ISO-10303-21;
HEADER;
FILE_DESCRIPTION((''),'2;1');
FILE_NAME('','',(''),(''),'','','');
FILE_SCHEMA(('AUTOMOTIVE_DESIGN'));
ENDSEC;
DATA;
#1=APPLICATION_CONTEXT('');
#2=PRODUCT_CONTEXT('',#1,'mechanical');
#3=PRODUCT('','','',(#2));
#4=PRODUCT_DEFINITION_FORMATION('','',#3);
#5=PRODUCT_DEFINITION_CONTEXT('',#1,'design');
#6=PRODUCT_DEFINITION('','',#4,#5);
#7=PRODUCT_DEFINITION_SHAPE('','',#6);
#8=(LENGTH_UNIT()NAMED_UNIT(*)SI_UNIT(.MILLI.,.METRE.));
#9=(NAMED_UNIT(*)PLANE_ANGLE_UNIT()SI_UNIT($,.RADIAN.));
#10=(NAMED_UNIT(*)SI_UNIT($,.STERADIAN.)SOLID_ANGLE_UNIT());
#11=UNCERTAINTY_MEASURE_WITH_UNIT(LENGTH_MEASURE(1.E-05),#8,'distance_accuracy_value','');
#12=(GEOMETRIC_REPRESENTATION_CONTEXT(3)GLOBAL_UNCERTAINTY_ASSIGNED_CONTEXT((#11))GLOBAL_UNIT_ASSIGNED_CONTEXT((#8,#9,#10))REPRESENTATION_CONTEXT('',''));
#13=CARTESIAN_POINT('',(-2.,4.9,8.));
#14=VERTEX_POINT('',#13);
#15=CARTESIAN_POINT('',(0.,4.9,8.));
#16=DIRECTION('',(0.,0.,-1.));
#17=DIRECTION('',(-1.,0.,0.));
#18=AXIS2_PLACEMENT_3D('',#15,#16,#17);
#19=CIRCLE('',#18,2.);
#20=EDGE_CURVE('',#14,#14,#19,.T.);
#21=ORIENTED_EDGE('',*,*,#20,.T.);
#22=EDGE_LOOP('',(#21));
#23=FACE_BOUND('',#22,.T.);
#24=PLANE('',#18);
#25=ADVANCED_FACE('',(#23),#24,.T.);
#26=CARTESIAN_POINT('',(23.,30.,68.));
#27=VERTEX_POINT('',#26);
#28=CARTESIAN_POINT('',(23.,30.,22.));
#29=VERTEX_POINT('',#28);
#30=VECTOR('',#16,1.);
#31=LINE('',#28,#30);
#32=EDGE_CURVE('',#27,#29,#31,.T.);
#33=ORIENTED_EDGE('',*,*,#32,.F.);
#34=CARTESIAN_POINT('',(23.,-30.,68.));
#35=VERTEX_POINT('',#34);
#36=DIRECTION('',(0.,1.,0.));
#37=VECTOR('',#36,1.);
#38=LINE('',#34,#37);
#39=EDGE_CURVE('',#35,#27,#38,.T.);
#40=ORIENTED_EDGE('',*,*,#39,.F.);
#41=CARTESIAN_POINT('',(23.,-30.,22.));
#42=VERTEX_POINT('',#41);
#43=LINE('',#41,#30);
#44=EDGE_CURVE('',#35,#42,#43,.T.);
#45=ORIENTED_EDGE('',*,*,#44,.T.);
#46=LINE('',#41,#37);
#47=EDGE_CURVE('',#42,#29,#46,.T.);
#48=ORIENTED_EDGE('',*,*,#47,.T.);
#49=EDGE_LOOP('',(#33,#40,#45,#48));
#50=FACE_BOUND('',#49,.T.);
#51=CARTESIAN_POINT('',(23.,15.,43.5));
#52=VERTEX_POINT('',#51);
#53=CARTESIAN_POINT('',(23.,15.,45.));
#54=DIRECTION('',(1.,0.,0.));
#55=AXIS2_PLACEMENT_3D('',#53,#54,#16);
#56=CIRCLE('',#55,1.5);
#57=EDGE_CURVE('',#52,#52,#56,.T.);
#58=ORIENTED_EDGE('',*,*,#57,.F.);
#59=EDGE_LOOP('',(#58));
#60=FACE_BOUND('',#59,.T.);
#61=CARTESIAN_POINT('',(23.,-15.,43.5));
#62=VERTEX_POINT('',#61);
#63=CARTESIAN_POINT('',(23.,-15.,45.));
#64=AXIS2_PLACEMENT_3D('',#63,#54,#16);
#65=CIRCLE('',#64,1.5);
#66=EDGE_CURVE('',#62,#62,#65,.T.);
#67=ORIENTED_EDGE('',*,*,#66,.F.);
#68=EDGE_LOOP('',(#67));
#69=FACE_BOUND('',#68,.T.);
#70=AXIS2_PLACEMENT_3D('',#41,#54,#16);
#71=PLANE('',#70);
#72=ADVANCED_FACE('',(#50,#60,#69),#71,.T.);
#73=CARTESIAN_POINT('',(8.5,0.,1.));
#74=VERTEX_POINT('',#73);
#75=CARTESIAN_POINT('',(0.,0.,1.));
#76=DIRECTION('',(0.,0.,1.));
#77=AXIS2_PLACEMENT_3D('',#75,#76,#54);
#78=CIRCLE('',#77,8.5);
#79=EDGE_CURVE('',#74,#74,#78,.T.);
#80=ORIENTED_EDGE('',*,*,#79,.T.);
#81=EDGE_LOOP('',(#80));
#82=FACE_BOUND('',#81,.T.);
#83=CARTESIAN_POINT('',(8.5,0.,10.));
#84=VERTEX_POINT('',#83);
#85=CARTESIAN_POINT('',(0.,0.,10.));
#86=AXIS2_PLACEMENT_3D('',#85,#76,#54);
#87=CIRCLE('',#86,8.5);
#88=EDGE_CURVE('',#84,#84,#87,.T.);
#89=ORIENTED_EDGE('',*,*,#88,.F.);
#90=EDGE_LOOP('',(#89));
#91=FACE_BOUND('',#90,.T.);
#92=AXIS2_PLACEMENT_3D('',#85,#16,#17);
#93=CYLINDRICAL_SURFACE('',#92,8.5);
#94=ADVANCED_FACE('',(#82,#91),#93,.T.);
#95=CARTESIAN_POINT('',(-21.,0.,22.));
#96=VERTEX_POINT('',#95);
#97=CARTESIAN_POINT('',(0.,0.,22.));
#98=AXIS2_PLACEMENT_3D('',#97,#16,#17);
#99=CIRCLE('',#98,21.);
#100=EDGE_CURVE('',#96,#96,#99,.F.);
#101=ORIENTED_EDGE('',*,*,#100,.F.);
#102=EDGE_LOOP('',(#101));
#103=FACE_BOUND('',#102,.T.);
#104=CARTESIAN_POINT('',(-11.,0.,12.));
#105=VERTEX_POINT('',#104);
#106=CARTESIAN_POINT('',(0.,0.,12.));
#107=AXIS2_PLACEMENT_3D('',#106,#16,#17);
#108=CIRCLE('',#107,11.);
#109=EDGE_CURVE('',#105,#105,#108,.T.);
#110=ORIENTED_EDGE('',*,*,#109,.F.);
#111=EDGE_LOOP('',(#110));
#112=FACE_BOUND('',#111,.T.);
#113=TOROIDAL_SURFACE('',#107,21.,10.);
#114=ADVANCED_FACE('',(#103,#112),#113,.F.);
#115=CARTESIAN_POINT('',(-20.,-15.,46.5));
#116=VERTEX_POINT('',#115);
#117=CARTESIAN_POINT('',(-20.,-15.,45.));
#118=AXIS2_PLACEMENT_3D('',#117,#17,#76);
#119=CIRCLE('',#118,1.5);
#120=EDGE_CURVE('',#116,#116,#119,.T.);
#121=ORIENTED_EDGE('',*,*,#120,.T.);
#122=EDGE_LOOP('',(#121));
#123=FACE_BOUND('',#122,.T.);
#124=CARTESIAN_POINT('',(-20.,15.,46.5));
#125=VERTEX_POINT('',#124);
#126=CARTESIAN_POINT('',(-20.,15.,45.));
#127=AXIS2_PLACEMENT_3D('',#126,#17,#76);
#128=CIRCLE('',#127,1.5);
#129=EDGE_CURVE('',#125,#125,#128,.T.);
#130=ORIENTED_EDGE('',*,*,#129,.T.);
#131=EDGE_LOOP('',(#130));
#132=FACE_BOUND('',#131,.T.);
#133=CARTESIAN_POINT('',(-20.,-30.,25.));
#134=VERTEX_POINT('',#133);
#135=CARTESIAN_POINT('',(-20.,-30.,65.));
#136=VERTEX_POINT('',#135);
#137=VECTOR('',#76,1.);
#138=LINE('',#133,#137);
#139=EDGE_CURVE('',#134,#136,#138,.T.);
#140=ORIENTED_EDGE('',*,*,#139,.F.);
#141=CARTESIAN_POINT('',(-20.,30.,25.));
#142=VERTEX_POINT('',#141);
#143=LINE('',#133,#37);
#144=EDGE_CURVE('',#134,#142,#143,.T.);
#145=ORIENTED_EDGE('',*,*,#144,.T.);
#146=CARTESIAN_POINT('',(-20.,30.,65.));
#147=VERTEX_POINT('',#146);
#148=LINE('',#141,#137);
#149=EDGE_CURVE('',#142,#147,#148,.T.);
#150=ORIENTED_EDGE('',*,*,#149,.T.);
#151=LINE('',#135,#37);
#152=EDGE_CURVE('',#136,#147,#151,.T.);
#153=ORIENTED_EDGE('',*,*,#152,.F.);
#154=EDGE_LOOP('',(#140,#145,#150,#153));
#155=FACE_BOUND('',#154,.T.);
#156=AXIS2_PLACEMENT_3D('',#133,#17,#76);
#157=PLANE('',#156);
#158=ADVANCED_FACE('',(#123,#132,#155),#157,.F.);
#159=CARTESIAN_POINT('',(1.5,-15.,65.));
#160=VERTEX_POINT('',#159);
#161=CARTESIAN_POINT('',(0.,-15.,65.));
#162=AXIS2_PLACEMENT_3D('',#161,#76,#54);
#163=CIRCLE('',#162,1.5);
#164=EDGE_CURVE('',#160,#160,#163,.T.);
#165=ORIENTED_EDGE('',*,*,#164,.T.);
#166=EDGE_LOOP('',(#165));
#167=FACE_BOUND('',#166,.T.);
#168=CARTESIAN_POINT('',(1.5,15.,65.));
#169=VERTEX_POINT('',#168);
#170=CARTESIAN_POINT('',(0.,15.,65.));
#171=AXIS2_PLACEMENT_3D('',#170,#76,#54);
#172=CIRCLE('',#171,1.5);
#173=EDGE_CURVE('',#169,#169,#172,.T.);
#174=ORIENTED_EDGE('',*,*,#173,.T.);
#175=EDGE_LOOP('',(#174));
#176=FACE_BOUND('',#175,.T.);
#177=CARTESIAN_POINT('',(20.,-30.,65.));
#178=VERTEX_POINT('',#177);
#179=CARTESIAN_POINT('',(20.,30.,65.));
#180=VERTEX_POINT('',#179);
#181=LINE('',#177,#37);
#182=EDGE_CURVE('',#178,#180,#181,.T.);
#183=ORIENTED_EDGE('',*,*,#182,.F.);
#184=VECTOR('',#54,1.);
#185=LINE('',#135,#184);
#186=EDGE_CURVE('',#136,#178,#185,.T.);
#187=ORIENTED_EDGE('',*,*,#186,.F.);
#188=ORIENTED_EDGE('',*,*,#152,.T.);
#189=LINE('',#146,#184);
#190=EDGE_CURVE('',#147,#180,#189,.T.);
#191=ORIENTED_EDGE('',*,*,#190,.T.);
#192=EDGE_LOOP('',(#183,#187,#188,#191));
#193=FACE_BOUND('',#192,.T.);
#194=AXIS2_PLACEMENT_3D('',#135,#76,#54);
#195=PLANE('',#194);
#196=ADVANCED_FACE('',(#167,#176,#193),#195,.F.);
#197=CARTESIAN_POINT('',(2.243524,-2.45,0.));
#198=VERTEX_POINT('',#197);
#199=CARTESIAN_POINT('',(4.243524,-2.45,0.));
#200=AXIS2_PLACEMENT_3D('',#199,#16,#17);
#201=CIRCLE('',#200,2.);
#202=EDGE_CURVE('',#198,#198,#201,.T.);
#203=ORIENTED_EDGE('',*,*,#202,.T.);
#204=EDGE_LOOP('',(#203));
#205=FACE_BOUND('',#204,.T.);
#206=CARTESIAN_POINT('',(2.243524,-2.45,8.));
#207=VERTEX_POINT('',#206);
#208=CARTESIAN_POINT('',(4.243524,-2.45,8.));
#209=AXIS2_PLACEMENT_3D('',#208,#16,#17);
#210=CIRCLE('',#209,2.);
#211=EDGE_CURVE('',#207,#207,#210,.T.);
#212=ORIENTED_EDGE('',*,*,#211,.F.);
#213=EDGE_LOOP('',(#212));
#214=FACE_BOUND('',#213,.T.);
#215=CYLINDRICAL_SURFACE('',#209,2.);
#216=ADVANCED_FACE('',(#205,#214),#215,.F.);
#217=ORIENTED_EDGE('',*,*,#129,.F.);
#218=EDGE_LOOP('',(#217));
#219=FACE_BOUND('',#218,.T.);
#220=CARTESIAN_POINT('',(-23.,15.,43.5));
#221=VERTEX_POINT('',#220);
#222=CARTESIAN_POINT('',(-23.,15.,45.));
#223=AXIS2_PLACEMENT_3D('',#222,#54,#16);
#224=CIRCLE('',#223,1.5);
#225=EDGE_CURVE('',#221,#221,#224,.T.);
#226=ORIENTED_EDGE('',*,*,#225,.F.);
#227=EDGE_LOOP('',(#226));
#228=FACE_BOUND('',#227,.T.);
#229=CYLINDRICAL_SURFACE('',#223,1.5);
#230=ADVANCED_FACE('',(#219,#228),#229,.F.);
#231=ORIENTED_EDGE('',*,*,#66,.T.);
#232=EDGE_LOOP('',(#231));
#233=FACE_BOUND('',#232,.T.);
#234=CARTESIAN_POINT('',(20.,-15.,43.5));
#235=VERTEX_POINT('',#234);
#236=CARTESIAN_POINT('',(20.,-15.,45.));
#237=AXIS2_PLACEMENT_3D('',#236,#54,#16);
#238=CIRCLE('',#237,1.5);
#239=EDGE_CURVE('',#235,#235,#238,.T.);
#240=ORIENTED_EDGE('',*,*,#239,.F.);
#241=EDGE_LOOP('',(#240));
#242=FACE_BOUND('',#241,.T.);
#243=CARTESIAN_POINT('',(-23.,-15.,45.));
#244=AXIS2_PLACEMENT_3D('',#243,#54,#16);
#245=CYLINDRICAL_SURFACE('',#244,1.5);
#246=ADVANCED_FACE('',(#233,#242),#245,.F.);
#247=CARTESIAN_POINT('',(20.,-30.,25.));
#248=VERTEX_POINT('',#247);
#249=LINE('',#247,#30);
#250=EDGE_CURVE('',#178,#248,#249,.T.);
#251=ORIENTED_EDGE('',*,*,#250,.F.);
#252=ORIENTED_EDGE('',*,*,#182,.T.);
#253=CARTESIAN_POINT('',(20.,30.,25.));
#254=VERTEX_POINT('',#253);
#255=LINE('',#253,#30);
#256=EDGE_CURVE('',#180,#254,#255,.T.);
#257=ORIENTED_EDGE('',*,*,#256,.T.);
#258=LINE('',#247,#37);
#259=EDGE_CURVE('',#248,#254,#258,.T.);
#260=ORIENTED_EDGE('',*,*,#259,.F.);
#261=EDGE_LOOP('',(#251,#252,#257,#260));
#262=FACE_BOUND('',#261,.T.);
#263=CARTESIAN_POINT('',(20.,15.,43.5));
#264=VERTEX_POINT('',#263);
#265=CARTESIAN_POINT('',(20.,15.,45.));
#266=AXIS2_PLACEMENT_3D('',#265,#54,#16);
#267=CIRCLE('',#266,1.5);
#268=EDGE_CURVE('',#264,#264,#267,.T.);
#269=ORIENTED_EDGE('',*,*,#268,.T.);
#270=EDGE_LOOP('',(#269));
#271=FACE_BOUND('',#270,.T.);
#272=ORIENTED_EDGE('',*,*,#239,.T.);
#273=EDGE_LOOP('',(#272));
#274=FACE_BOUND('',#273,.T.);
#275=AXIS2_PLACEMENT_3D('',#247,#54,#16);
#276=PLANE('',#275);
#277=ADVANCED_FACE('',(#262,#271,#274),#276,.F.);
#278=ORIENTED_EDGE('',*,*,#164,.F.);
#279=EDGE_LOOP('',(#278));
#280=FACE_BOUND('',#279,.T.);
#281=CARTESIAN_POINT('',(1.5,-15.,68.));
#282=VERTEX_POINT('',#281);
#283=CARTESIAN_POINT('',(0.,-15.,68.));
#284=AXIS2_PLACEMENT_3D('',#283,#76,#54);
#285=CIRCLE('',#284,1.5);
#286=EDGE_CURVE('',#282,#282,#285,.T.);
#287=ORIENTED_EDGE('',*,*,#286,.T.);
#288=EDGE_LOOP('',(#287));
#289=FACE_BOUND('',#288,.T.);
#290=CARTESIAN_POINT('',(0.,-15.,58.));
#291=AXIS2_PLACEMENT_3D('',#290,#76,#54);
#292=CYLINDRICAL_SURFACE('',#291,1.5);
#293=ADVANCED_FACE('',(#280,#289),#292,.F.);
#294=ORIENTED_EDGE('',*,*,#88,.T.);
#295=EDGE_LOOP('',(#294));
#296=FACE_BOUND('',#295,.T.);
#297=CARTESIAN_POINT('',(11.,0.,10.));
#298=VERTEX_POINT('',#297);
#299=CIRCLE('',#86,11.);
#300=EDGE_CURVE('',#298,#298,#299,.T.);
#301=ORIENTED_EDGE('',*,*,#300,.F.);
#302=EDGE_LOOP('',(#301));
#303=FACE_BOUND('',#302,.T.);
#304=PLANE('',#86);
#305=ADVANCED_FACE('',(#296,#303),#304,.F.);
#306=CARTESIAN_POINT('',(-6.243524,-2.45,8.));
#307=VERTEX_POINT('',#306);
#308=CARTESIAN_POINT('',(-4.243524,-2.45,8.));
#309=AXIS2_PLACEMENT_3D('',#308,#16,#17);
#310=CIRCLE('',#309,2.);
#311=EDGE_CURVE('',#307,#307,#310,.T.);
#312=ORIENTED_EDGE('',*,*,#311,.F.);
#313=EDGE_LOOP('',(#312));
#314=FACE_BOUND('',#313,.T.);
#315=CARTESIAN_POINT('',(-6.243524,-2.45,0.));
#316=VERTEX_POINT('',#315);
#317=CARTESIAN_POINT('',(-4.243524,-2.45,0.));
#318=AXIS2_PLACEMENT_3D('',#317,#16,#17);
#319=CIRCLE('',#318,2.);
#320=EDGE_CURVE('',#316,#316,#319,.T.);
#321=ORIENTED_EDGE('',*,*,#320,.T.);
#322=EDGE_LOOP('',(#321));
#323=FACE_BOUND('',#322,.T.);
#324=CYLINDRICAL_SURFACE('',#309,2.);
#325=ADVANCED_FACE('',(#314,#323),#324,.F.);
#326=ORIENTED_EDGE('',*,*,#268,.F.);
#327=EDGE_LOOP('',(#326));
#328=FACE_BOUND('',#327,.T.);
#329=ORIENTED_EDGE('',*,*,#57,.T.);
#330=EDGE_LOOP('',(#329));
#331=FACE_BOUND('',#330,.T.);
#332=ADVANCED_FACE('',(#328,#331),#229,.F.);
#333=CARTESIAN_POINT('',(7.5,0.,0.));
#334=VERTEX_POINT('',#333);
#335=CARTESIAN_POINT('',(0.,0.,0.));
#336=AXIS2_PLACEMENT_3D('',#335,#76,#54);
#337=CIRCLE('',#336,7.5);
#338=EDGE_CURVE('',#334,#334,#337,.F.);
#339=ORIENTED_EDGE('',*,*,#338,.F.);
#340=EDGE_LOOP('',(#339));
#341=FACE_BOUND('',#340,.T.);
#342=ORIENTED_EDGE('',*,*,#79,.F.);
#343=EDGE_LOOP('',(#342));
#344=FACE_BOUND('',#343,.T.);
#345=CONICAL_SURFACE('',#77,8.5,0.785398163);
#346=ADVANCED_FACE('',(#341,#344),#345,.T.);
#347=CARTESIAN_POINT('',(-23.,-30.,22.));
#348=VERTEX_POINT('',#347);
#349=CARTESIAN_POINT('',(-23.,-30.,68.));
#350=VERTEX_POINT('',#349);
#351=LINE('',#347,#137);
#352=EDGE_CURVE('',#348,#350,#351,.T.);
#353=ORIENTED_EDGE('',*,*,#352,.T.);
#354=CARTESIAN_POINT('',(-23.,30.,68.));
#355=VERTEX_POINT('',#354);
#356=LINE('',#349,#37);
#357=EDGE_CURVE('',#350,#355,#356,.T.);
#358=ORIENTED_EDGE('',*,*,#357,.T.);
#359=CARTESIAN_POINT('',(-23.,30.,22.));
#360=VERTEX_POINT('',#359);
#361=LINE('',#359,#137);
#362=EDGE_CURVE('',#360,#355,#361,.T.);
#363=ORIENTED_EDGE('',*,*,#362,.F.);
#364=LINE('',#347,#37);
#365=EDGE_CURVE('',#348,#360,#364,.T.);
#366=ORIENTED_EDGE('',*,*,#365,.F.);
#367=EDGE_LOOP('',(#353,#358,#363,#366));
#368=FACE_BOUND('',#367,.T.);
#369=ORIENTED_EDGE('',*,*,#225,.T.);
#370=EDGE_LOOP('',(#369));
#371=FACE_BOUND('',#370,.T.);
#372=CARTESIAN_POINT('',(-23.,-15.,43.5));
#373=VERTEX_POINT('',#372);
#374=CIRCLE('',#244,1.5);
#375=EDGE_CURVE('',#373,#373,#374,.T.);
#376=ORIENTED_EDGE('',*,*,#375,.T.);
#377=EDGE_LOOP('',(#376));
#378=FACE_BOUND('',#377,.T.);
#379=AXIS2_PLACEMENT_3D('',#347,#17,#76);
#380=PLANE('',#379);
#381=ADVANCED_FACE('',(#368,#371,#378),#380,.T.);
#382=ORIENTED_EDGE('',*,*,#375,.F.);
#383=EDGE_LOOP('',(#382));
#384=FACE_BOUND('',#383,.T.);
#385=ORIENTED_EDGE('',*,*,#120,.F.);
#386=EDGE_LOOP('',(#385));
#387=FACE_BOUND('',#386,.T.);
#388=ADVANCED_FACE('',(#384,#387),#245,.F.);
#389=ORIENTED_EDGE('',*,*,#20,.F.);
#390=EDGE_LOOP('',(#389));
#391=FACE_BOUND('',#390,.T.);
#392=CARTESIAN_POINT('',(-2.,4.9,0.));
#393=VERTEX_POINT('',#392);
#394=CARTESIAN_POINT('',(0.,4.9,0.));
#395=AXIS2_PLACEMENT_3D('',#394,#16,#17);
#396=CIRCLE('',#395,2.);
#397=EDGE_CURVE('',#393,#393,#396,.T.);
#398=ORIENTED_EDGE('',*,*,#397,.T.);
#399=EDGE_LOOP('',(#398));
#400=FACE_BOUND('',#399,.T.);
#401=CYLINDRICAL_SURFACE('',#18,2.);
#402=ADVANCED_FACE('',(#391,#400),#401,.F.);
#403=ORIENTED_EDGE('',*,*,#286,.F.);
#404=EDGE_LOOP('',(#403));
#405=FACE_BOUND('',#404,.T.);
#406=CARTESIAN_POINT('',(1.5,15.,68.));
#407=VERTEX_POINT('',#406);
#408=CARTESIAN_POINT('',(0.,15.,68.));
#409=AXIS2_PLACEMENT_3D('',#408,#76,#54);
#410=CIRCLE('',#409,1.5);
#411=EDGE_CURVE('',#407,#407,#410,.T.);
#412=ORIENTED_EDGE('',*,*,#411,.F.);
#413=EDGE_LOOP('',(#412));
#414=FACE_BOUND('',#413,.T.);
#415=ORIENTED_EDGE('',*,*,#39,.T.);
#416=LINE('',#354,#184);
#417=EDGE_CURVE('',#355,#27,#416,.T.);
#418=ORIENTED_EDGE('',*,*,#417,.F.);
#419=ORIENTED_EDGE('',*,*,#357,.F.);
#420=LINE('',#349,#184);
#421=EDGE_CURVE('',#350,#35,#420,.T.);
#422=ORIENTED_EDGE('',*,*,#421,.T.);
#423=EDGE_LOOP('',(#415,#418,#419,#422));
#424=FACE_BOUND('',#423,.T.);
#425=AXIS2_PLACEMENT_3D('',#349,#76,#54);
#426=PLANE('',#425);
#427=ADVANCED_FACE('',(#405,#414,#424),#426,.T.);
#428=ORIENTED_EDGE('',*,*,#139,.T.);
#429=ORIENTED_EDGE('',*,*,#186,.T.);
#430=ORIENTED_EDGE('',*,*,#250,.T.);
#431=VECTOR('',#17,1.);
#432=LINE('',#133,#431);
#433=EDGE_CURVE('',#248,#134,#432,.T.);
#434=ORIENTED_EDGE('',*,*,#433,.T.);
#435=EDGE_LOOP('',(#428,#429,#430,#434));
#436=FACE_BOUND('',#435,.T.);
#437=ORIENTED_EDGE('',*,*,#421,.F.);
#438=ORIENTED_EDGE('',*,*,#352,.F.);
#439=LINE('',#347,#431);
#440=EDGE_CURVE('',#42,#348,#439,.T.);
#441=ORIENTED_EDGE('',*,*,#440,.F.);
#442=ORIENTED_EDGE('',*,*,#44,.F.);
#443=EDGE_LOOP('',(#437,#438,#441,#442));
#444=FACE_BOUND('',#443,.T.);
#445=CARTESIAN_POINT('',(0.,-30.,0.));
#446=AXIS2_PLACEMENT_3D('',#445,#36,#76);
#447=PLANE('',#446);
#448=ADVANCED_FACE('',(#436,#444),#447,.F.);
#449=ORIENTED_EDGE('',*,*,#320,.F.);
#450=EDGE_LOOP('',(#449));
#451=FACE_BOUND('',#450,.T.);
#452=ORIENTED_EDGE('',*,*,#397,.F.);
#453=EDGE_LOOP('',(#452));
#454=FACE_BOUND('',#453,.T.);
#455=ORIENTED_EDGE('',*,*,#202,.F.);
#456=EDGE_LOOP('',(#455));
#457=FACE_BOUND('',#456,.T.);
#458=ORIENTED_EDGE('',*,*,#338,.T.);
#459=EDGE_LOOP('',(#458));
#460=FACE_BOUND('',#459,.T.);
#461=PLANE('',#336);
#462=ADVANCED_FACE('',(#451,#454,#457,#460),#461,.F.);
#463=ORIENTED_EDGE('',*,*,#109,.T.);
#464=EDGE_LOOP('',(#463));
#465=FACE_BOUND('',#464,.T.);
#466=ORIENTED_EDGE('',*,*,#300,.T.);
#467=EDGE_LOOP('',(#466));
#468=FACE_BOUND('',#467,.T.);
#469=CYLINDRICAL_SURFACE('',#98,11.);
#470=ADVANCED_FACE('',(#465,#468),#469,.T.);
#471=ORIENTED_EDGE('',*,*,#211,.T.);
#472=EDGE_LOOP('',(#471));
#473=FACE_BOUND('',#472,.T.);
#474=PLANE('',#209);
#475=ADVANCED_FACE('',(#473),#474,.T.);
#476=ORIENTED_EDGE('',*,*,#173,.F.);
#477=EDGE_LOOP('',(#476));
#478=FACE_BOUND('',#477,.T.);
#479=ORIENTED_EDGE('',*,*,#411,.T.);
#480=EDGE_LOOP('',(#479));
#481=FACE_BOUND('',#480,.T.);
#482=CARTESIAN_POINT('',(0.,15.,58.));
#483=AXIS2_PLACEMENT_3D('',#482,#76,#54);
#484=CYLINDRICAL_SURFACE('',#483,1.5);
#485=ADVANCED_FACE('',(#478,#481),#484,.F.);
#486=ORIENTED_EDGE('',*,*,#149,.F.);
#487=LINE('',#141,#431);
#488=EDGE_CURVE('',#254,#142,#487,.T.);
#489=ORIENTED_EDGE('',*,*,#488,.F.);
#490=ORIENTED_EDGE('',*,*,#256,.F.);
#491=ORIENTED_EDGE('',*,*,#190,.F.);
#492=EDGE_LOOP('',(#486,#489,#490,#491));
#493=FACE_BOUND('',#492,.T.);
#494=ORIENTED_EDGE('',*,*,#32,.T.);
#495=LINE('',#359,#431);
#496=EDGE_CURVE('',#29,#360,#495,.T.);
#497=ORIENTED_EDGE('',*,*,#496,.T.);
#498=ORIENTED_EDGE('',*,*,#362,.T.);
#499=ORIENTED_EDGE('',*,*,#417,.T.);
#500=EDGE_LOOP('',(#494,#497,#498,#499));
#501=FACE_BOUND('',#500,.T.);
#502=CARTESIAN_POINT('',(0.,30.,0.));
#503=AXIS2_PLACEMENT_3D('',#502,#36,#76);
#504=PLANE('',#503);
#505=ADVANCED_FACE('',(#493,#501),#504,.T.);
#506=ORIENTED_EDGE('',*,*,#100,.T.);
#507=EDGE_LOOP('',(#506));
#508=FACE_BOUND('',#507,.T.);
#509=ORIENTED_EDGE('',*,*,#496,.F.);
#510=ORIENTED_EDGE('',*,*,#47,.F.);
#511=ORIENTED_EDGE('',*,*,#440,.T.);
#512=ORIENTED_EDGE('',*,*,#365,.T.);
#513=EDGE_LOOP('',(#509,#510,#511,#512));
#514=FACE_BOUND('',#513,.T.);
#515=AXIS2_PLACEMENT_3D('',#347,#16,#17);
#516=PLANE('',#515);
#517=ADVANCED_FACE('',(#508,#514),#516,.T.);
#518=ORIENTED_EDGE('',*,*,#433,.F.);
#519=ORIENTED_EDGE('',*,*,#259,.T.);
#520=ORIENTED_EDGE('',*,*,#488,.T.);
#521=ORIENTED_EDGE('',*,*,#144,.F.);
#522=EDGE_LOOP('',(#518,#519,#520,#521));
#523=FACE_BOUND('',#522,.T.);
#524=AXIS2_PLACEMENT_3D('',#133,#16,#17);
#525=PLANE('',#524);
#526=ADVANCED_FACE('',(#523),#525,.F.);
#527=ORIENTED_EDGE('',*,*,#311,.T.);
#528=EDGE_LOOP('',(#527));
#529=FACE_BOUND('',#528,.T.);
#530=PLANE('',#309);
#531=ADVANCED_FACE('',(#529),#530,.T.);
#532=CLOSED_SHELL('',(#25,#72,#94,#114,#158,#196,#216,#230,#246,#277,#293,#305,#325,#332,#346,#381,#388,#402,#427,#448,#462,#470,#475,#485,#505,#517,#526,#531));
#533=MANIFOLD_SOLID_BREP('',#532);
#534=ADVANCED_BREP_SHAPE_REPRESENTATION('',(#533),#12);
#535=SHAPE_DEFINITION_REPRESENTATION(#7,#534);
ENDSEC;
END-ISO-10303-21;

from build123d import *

# Parameters (mm, degrees)
ESQUISSE1_R                  = 8.5
BOSS_EXTRU_1_DEPTH           = 10
ESQUISSE2_R                  = 11
BOSS_EXTRU_2_DEPTH           = 12
ESQUISSE3_R                  = 2
ENL_V_MAT_EXTRU_1_DEPTH      = 8
CHANFREIN1_SIZE              = 1
BOSS_EXTRU_3_DEPTH           = 30
BOSS_EXTRU_3_DEPTH_BACK      = 30
ESQUISSE4_W                  = 46
ESQUISSE4_H                  = 46
ESQUISSE4_W_2                = 40
ESQUISSE4_H_2                = 40
ENL_V_MAT_EXTRU_2_DEPTH      = 88.407093534
ENL_V_MAT_EXTRU_2_DEPTH_BACK = 88.407093534
ESQUISSE5_R                  = 1.5
ESQUISSE6_R                  = 1.5
ENL_V_MAT_EXTRU_3_DEPTH      = 10
CONG_1_R                     = 10


with BuildPart() as part:
    # Esquisse1 → Boss.-Extru.1 (new body)
    with BuildSketch(Plane.XY):
        Circle(ESQUISSE1_R)
    extrude(amount=BOSS_EXTRU_1_DEPTH)

    # Esquisse2 → Boss.-Extru.2 (add)
    with BuildSketch(Plane.XY.offset(10)):
        Circle(ESQUISSE2_R)
    extrude(amount=BOSS_EXTRU_2_DEPTH)

    # Esquisse3 → Enlèv. mat.-Extru.1 (cut)
    with BuildSketch(Plane(origin=(0, 0, 0), x_dir=(-1, 0, 0), z_dir=(0, 0, -1))):
        with Locations((0, 4.9)):
            Circle(ESQUISSE3_R)
        with Locations((4.243524479, -2.45)):
            Circle(ESQUISSE3_R)
        with Locations((-4.243524479, -2.45)):
            Circle(ESQUISSE3_R)
    extrude(amount=-ENL_V_MAT_EXTRU_1_DEPTH, mode=Mode.SUBTRACT)

    # Chanfrein1
    chanfrein1_edges = [part.edges().sort_by_distance(p)[0] for p in [
        (-8.5, 0, 0),
    ]]
    chamfer(chanfrein1_edges, length=CHANFREIN1_SIZE)

    # Esquisse4 → Boss.-Extru.3 (add, two sides: drawn at the far end of the back side and taken through both)
    with BuildSketch(Plane(origin=(0, 0, 0), x_dir=(1, 0, 0), z_dir=(0, 1, 0)).offset(-BOSS_EXTRU_3_DEPTH_BACK)):
        with Locations((0, -45)):
            Rectangle(ESQUISSE4_W, ESQUISSE4_H)
        with Locations((0, -45)):
            Rectangle(ESQUISSE4_W_2, ESQUISSE4_H_2, mode=Mode.SUBTRACT)
    extrude(amount=BOSS_EXTRU_3_DEPTH + BOSS_EXTRU_3_DEPTH_BACK)

    # Esquisse5 → Enlèv. mat.-Extru.2 (cut, two sides: drawn at the far end of the back side and taken through both)
    with BuildSketch(Plane(origin=(23, 0, 0), x_dir=(0, 0, -1), z_dir=(1, 0, 0)).offset(-ENL_V_MAT_EXTRU_2_DEPTH_BACK)):
        with Locations((-45, 15)):
            Circle(ESQUISSE5_R)
        with Locations((-45, -15)):
            Circle(ESQUISSE5_R)
    extrude(amount=ENL_V_MAT_EXTRU_2_DEPTH + ENL_V_MAT_EXTRU_2_DEPTH_BACK, mode=Mode.SUBTRACT)

    # Esquisse6 → Enlèv. mat.-Extru.3 (cut)
    with BuildSketch(Plane.XY.offset(68)):
        with Locations((0, 15)):
            Circle(ESQUISSE6_R)
        with Locations((0, -15)):
            Circle(ESQUISSE6_R)
    extrude(amount=-ENL_V_MAT_EXTRU_3_DEPTH, mode=Mode.SUBTRACT)

    # Congé1
    cong_1_edges = [part.edges().sort_by_distance(p)[0] for p in [
        (-11, 0, 22),
    ]]
    fillet(cong_1_edges, radius=CONG_1_R)


solid = part.part
